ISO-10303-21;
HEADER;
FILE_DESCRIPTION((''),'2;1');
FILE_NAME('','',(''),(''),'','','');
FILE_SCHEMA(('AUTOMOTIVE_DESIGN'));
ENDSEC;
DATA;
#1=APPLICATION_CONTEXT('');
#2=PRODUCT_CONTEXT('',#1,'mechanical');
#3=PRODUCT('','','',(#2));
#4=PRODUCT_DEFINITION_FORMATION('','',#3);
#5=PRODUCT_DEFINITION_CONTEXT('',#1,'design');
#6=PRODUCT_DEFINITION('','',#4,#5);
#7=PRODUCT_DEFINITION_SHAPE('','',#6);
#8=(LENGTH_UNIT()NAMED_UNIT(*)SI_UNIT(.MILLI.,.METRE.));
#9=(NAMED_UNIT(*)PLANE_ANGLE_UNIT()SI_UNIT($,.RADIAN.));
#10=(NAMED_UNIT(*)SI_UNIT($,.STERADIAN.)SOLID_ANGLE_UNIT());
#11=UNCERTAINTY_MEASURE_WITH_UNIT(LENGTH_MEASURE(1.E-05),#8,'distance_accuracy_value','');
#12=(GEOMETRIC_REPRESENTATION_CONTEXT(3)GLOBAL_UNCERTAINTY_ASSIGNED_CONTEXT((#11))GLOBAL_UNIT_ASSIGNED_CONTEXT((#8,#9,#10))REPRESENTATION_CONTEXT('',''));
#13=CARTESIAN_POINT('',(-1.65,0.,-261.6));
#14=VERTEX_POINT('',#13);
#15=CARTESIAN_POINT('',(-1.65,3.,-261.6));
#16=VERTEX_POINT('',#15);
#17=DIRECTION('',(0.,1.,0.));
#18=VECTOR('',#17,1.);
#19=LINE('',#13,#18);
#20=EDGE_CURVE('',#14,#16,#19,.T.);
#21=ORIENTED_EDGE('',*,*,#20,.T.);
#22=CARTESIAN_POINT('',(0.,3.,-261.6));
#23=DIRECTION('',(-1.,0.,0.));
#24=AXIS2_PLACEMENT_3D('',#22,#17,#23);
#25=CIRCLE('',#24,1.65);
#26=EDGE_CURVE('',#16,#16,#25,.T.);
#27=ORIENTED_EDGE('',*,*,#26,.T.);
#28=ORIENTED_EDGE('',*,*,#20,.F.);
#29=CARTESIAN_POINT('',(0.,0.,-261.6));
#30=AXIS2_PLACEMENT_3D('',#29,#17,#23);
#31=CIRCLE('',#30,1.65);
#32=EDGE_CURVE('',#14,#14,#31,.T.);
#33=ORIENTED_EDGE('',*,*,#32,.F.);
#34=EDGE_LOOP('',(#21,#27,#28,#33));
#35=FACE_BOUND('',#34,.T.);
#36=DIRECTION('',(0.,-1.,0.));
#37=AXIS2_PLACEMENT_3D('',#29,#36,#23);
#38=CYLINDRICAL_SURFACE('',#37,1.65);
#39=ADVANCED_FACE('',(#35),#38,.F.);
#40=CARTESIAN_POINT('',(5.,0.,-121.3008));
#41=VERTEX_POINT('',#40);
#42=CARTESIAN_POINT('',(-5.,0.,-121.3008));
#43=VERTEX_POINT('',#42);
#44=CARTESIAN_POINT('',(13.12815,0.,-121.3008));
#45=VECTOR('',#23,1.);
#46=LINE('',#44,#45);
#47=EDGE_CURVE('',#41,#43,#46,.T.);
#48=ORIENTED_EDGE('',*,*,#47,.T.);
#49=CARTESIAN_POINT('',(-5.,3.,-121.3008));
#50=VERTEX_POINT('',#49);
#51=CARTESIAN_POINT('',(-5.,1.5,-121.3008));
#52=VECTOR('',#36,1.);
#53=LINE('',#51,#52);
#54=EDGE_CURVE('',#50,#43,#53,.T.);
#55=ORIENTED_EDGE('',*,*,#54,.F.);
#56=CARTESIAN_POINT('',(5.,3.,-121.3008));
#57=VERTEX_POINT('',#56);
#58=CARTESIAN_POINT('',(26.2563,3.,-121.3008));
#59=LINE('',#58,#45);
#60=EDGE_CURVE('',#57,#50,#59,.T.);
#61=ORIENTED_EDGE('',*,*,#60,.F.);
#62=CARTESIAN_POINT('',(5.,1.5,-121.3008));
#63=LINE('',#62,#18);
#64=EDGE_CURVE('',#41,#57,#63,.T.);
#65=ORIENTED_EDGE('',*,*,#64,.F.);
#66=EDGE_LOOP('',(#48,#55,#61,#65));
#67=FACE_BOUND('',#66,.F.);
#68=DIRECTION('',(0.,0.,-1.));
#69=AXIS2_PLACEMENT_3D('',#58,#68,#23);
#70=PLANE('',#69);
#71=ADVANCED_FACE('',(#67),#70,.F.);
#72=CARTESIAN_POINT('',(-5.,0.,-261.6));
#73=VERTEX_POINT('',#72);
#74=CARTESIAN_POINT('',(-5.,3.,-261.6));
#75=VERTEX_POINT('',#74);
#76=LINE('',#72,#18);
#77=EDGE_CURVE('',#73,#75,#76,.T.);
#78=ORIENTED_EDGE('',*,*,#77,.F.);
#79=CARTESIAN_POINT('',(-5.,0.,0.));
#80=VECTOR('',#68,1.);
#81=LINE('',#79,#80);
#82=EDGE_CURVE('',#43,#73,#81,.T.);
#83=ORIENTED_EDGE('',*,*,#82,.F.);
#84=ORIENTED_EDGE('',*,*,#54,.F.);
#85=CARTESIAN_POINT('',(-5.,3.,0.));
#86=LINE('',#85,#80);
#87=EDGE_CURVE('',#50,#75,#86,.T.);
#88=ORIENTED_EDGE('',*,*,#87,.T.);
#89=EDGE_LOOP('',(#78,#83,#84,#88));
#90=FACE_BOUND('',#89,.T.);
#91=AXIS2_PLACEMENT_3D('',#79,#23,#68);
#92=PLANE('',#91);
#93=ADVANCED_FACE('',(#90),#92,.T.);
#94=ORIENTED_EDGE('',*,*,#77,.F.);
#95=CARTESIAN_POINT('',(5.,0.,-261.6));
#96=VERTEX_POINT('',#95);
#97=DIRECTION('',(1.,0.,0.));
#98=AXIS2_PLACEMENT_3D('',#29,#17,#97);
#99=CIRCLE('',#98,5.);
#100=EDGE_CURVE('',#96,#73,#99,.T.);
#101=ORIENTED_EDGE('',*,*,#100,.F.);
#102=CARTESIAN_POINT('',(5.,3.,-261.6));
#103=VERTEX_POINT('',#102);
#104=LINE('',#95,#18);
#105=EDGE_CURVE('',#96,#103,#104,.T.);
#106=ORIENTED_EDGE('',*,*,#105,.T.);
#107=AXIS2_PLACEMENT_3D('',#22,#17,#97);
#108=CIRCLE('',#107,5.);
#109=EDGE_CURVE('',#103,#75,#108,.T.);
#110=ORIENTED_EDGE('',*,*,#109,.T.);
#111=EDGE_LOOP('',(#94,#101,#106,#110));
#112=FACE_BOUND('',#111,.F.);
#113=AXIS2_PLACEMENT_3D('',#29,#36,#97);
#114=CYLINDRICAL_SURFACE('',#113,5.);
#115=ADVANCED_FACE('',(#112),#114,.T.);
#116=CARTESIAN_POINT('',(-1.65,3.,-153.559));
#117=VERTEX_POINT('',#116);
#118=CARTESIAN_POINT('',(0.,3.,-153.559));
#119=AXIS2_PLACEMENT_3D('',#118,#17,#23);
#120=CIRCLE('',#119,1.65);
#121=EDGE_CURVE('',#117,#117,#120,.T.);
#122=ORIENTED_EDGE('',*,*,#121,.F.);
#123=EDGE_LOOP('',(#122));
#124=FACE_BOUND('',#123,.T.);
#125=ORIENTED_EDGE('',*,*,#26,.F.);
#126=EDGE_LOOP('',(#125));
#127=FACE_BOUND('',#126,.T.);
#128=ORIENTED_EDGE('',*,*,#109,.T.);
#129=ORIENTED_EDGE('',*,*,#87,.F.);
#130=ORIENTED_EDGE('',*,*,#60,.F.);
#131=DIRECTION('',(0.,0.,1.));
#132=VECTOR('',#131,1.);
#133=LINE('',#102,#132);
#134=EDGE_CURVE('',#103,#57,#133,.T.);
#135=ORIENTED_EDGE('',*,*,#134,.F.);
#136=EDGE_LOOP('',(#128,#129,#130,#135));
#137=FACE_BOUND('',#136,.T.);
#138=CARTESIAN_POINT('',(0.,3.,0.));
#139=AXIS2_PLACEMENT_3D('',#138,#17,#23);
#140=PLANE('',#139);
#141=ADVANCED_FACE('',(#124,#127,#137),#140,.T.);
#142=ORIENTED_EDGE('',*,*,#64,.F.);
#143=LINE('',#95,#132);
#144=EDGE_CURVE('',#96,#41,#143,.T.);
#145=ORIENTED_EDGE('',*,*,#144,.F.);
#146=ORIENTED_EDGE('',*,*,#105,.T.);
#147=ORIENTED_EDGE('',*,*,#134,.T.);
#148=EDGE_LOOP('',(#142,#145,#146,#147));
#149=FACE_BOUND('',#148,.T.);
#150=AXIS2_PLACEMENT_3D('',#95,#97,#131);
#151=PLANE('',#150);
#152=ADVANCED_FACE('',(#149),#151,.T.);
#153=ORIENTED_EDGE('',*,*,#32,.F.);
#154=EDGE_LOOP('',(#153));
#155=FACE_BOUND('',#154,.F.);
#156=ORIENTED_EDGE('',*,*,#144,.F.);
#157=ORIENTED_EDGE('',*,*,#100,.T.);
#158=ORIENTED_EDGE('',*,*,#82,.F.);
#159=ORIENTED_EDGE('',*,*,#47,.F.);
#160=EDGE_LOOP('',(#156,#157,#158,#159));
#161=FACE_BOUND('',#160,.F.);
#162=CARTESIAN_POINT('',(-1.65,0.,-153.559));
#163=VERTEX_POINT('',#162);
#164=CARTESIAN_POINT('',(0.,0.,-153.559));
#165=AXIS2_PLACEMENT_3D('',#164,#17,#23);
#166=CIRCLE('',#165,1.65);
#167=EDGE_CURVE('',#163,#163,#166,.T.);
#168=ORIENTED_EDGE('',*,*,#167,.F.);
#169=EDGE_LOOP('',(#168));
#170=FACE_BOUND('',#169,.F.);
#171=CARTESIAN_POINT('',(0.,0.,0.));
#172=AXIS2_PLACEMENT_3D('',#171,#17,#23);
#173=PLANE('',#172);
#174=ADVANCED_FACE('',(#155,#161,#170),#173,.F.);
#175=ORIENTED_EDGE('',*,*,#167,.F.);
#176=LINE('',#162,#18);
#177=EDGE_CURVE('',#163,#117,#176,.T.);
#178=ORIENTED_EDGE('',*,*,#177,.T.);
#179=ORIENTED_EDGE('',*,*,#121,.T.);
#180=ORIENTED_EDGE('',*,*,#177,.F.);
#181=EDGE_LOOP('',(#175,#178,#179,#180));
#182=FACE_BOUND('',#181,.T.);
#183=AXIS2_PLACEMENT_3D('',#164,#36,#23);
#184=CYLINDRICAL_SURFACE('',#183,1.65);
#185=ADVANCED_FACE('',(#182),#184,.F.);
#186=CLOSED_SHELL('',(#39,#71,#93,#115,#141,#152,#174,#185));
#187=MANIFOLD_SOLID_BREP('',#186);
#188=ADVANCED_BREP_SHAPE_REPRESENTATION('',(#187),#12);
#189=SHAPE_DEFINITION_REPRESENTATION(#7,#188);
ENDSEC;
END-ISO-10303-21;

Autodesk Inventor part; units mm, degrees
ref_plane "YZ Plane" through (0, 0, 0) normal (1, 0, 0) x (0, 1, 0)
ref_plane "XZ Plane" through (0, 0, 0) normal (0, 1, 0) x (-1, 0, 0)
ref_plane "XY Plane" through (0, 0, 0) normal (0, 0, 1) x (1, 0, 0)
sketch "Sketch1" plane through (0, 0, 0) normal (0, 1, 0) x (-1, 0, 0)
  line L0 (0, 0) -> (0, -261.6) construction
  line L1 (5, 0) -> (5, -261.6)
  line L2 (-5, -261.6) -> (-5, 0)
  arc A0 (5, 0) -> (-5, 0) centre (0, 0) ccw
  arc A1 (-5, -261.6) -> (5, -261.6) centre (0, -261.6) ccw
  circle A2 centre (0, 0) radius 1.65
  circle A3 centre (0, -261.6) radius 1.65
  circle A4 centre (0, -153.559) radius 1.65
  point P0 (0, -130.8)
  dimension "d0" = 3.3
  dimension "d1" = 3.3
  dimension "d2" = 10
  dimension "d3" = 261.6
  dimension "d4" = 3.3
  dimension "d5" = 153.559
extrude "Extrusion1" add sketch "Sketch1" along normal blind 3
sketch "Sketch3" plane through (0, 3, 0) normal (0, 1, 0) x (1, 0, 0)
  line L0 (-22.4574, 275.926) -> (26.2563, 275.926)
  line L1 (26.2563, 275.926) -> (26.2563, 121.3008)
  line L2 (26.2563, 121.3008) -> (-22.4574, 121.3008)
  line L3 (-22.4574, 121.3008) -> (-22.4574, 275.926)
  line L4 (-103.4002, 357.0257) -> (155.5228, 357.0257)
  line L5 (155.5228, 357.0257) -> (155.5228, -67.8162)
  line L6 (155.5228, -67.8162) -> (-103.4002, -67.8162)
  line L7 (-103.4002, -67.8162) -> (-103.4002, 357.0257)
  point P0 (0, 0)
extrude "Extrusion2" cut sketch "Sketch3" against normal blind 100
properties part number "Part_2_p2"
